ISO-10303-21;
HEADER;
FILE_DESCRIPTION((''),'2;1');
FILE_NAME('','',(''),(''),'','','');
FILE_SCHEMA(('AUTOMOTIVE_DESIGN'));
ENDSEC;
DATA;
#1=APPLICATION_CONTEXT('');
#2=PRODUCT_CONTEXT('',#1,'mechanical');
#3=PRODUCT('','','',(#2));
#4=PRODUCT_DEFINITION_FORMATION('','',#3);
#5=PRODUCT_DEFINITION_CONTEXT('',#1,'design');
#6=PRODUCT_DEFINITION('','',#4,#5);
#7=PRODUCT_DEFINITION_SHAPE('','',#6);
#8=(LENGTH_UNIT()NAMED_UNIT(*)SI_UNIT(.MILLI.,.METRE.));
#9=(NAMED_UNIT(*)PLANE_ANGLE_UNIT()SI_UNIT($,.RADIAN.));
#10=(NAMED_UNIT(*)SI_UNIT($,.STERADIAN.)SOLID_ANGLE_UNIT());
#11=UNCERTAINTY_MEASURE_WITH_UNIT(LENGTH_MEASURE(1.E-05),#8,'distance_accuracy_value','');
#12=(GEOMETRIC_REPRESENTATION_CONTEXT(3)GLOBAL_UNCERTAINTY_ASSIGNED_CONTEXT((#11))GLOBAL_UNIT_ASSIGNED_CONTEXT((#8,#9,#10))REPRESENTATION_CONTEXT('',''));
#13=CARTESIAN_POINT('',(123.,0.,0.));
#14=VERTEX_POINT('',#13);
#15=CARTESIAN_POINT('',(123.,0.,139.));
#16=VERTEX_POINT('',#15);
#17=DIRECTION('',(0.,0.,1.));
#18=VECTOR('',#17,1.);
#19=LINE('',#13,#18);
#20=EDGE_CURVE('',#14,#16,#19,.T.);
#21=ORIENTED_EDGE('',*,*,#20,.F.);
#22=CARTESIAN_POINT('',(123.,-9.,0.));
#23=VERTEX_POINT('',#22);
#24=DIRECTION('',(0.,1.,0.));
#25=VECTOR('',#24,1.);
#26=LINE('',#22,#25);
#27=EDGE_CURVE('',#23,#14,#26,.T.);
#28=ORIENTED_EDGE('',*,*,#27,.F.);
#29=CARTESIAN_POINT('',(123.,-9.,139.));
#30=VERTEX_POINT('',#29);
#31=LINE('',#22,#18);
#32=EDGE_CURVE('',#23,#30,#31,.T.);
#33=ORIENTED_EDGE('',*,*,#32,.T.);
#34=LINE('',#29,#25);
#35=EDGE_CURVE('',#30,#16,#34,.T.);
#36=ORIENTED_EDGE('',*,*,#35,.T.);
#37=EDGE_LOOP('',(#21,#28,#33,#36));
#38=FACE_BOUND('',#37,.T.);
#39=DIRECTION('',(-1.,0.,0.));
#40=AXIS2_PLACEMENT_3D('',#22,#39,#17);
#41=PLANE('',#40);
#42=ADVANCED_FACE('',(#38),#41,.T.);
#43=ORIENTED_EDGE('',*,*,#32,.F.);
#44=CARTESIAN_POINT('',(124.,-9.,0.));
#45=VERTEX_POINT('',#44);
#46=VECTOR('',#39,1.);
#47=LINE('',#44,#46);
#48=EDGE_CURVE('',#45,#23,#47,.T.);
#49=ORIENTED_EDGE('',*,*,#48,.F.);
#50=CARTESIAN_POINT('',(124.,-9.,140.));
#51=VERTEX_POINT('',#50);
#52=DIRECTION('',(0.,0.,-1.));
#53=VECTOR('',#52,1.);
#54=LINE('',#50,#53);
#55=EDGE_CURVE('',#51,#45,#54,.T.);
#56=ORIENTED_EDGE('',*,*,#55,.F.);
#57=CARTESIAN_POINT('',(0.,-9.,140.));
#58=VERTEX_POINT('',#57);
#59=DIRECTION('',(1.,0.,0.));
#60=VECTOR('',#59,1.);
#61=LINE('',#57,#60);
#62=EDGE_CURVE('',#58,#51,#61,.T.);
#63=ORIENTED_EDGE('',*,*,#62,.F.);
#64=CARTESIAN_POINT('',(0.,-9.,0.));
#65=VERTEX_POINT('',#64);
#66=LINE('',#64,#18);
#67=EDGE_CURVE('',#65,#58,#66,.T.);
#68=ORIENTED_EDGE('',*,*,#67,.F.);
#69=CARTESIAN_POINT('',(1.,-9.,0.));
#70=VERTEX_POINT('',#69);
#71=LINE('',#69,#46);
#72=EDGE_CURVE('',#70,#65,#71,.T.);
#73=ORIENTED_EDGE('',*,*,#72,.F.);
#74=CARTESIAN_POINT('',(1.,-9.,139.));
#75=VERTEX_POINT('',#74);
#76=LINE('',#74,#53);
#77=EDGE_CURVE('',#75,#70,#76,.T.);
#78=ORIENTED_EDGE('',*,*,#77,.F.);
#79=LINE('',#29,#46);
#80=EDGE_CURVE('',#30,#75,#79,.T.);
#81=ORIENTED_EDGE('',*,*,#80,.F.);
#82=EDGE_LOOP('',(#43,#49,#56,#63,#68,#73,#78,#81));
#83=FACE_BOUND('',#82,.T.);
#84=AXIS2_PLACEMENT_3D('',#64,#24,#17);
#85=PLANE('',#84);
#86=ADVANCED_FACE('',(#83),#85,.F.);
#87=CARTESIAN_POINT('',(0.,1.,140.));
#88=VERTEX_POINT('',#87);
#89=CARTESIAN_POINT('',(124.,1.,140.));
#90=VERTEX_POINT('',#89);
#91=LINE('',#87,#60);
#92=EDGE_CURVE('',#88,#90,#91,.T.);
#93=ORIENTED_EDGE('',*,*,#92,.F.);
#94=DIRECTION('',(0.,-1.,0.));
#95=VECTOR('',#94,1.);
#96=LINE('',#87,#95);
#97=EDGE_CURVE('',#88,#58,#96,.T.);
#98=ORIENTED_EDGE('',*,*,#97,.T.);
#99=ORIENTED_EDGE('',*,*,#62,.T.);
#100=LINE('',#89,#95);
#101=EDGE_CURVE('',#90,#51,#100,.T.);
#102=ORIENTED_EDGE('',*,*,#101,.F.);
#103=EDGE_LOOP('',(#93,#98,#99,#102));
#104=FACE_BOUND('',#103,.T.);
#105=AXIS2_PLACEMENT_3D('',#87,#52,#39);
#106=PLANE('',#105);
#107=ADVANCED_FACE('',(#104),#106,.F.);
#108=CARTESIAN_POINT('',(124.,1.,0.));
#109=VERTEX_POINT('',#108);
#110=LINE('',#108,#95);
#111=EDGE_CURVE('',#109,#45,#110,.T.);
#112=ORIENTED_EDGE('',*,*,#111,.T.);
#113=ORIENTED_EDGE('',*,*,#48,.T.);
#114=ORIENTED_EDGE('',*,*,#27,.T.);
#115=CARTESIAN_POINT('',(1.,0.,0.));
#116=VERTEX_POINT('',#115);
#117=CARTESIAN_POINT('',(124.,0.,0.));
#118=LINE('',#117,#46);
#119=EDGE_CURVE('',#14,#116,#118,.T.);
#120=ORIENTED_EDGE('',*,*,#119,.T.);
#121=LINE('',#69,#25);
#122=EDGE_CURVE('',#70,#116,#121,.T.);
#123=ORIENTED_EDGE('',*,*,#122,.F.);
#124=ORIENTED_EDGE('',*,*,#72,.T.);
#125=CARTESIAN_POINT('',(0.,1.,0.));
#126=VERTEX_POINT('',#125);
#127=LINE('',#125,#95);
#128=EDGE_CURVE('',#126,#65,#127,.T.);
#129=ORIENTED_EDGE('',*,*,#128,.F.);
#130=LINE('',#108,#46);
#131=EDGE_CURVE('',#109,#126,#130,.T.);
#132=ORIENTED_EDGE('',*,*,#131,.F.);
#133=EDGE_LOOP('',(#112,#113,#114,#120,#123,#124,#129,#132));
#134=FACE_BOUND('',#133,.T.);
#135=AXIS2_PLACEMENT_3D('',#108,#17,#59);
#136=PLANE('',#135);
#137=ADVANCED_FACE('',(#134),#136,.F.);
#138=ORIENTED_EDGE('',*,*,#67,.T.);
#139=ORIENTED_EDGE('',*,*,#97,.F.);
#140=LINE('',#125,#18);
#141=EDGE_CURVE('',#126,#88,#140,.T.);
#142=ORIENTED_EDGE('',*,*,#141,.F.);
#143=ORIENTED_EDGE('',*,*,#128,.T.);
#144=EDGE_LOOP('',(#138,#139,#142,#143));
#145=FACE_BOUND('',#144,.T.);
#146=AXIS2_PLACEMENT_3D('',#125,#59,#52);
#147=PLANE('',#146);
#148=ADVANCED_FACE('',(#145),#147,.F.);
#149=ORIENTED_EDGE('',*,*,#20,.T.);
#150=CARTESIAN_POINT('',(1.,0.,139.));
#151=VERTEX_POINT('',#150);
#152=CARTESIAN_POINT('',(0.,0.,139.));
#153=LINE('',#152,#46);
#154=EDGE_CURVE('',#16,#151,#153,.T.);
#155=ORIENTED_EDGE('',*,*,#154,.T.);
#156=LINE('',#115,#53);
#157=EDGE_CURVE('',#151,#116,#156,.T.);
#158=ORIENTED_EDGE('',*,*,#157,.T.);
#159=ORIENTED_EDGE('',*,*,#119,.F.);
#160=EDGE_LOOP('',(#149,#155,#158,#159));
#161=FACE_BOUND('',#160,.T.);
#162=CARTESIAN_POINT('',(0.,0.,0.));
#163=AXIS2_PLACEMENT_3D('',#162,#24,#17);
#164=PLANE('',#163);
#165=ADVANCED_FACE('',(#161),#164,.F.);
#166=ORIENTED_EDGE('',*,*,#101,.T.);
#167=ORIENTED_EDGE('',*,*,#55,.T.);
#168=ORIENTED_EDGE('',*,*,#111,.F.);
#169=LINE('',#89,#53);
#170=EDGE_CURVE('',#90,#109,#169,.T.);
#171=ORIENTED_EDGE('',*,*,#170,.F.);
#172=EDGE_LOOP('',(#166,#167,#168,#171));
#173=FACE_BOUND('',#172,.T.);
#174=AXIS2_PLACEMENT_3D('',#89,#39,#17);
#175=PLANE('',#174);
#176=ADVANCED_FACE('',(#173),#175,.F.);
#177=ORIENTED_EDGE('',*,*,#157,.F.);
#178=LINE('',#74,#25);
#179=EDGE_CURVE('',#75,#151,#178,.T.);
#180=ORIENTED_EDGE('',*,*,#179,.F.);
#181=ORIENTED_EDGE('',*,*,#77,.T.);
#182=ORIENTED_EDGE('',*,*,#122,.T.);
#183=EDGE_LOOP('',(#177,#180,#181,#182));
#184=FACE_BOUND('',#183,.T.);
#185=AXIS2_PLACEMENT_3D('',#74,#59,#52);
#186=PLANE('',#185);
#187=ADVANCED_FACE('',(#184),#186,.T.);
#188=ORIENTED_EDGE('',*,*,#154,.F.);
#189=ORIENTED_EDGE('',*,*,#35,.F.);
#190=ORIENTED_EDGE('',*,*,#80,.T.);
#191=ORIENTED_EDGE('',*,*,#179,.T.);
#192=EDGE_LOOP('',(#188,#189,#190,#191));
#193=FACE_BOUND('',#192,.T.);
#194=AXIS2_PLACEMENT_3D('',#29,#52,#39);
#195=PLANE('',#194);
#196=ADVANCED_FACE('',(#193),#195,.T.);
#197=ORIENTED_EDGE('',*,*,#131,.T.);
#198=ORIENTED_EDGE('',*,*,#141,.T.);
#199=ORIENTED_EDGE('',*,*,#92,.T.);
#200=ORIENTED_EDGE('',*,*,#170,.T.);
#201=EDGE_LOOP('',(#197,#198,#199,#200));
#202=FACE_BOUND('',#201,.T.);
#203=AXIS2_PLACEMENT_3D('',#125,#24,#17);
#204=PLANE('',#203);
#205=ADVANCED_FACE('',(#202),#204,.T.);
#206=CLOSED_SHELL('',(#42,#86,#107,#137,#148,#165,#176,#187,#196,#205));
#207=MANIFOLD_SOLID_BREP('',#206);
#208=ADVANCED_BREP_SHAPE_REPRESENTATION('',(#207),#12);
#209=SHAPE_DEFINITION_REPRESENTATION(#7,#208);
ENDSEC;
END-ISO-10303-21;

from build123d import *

# Parameters (mm, degrees)
SZKIC1_W                    = 124
SZKIC1_H                    = 140
DODANIE_WYCI_GNI_CIE1_DEPTH = 1
DODANIE_WYCI_GNI_CIE2_DEPTH = 10


with BuildPart() as part:
    # Szkic1 → Dodanie-wyciągnięcie1 (new body)
    with BuildSketch(Plane(origin=(0, 0, 0), x_dir=(1, 0, 0), z_dir=(0, 1, 0))):
        with Locations((62, -70)):
            Rectangle(SZKIC1_W, SZKIC1_H)
    extrude(amount=DODANIE_WYCI_GNI_CIE1_DEPTH)

    # Szkic3 → Dodanie-wyciągnięcie2 (add)
    with BuildSketch(Plane(origin=(0, 1, 0), x_dir=(1, 0, 0), z_dir=(0, 1, 0))):
        Polygon((0, 0), (0, -140), (124, -140), (124, 0), (123, 0), (123, -139), (1, -139), (1, 0), align=None)
    extrude(amount=-DODANIE_WYCI_GNI_CIE2_DEPTH)


solid = part.part
